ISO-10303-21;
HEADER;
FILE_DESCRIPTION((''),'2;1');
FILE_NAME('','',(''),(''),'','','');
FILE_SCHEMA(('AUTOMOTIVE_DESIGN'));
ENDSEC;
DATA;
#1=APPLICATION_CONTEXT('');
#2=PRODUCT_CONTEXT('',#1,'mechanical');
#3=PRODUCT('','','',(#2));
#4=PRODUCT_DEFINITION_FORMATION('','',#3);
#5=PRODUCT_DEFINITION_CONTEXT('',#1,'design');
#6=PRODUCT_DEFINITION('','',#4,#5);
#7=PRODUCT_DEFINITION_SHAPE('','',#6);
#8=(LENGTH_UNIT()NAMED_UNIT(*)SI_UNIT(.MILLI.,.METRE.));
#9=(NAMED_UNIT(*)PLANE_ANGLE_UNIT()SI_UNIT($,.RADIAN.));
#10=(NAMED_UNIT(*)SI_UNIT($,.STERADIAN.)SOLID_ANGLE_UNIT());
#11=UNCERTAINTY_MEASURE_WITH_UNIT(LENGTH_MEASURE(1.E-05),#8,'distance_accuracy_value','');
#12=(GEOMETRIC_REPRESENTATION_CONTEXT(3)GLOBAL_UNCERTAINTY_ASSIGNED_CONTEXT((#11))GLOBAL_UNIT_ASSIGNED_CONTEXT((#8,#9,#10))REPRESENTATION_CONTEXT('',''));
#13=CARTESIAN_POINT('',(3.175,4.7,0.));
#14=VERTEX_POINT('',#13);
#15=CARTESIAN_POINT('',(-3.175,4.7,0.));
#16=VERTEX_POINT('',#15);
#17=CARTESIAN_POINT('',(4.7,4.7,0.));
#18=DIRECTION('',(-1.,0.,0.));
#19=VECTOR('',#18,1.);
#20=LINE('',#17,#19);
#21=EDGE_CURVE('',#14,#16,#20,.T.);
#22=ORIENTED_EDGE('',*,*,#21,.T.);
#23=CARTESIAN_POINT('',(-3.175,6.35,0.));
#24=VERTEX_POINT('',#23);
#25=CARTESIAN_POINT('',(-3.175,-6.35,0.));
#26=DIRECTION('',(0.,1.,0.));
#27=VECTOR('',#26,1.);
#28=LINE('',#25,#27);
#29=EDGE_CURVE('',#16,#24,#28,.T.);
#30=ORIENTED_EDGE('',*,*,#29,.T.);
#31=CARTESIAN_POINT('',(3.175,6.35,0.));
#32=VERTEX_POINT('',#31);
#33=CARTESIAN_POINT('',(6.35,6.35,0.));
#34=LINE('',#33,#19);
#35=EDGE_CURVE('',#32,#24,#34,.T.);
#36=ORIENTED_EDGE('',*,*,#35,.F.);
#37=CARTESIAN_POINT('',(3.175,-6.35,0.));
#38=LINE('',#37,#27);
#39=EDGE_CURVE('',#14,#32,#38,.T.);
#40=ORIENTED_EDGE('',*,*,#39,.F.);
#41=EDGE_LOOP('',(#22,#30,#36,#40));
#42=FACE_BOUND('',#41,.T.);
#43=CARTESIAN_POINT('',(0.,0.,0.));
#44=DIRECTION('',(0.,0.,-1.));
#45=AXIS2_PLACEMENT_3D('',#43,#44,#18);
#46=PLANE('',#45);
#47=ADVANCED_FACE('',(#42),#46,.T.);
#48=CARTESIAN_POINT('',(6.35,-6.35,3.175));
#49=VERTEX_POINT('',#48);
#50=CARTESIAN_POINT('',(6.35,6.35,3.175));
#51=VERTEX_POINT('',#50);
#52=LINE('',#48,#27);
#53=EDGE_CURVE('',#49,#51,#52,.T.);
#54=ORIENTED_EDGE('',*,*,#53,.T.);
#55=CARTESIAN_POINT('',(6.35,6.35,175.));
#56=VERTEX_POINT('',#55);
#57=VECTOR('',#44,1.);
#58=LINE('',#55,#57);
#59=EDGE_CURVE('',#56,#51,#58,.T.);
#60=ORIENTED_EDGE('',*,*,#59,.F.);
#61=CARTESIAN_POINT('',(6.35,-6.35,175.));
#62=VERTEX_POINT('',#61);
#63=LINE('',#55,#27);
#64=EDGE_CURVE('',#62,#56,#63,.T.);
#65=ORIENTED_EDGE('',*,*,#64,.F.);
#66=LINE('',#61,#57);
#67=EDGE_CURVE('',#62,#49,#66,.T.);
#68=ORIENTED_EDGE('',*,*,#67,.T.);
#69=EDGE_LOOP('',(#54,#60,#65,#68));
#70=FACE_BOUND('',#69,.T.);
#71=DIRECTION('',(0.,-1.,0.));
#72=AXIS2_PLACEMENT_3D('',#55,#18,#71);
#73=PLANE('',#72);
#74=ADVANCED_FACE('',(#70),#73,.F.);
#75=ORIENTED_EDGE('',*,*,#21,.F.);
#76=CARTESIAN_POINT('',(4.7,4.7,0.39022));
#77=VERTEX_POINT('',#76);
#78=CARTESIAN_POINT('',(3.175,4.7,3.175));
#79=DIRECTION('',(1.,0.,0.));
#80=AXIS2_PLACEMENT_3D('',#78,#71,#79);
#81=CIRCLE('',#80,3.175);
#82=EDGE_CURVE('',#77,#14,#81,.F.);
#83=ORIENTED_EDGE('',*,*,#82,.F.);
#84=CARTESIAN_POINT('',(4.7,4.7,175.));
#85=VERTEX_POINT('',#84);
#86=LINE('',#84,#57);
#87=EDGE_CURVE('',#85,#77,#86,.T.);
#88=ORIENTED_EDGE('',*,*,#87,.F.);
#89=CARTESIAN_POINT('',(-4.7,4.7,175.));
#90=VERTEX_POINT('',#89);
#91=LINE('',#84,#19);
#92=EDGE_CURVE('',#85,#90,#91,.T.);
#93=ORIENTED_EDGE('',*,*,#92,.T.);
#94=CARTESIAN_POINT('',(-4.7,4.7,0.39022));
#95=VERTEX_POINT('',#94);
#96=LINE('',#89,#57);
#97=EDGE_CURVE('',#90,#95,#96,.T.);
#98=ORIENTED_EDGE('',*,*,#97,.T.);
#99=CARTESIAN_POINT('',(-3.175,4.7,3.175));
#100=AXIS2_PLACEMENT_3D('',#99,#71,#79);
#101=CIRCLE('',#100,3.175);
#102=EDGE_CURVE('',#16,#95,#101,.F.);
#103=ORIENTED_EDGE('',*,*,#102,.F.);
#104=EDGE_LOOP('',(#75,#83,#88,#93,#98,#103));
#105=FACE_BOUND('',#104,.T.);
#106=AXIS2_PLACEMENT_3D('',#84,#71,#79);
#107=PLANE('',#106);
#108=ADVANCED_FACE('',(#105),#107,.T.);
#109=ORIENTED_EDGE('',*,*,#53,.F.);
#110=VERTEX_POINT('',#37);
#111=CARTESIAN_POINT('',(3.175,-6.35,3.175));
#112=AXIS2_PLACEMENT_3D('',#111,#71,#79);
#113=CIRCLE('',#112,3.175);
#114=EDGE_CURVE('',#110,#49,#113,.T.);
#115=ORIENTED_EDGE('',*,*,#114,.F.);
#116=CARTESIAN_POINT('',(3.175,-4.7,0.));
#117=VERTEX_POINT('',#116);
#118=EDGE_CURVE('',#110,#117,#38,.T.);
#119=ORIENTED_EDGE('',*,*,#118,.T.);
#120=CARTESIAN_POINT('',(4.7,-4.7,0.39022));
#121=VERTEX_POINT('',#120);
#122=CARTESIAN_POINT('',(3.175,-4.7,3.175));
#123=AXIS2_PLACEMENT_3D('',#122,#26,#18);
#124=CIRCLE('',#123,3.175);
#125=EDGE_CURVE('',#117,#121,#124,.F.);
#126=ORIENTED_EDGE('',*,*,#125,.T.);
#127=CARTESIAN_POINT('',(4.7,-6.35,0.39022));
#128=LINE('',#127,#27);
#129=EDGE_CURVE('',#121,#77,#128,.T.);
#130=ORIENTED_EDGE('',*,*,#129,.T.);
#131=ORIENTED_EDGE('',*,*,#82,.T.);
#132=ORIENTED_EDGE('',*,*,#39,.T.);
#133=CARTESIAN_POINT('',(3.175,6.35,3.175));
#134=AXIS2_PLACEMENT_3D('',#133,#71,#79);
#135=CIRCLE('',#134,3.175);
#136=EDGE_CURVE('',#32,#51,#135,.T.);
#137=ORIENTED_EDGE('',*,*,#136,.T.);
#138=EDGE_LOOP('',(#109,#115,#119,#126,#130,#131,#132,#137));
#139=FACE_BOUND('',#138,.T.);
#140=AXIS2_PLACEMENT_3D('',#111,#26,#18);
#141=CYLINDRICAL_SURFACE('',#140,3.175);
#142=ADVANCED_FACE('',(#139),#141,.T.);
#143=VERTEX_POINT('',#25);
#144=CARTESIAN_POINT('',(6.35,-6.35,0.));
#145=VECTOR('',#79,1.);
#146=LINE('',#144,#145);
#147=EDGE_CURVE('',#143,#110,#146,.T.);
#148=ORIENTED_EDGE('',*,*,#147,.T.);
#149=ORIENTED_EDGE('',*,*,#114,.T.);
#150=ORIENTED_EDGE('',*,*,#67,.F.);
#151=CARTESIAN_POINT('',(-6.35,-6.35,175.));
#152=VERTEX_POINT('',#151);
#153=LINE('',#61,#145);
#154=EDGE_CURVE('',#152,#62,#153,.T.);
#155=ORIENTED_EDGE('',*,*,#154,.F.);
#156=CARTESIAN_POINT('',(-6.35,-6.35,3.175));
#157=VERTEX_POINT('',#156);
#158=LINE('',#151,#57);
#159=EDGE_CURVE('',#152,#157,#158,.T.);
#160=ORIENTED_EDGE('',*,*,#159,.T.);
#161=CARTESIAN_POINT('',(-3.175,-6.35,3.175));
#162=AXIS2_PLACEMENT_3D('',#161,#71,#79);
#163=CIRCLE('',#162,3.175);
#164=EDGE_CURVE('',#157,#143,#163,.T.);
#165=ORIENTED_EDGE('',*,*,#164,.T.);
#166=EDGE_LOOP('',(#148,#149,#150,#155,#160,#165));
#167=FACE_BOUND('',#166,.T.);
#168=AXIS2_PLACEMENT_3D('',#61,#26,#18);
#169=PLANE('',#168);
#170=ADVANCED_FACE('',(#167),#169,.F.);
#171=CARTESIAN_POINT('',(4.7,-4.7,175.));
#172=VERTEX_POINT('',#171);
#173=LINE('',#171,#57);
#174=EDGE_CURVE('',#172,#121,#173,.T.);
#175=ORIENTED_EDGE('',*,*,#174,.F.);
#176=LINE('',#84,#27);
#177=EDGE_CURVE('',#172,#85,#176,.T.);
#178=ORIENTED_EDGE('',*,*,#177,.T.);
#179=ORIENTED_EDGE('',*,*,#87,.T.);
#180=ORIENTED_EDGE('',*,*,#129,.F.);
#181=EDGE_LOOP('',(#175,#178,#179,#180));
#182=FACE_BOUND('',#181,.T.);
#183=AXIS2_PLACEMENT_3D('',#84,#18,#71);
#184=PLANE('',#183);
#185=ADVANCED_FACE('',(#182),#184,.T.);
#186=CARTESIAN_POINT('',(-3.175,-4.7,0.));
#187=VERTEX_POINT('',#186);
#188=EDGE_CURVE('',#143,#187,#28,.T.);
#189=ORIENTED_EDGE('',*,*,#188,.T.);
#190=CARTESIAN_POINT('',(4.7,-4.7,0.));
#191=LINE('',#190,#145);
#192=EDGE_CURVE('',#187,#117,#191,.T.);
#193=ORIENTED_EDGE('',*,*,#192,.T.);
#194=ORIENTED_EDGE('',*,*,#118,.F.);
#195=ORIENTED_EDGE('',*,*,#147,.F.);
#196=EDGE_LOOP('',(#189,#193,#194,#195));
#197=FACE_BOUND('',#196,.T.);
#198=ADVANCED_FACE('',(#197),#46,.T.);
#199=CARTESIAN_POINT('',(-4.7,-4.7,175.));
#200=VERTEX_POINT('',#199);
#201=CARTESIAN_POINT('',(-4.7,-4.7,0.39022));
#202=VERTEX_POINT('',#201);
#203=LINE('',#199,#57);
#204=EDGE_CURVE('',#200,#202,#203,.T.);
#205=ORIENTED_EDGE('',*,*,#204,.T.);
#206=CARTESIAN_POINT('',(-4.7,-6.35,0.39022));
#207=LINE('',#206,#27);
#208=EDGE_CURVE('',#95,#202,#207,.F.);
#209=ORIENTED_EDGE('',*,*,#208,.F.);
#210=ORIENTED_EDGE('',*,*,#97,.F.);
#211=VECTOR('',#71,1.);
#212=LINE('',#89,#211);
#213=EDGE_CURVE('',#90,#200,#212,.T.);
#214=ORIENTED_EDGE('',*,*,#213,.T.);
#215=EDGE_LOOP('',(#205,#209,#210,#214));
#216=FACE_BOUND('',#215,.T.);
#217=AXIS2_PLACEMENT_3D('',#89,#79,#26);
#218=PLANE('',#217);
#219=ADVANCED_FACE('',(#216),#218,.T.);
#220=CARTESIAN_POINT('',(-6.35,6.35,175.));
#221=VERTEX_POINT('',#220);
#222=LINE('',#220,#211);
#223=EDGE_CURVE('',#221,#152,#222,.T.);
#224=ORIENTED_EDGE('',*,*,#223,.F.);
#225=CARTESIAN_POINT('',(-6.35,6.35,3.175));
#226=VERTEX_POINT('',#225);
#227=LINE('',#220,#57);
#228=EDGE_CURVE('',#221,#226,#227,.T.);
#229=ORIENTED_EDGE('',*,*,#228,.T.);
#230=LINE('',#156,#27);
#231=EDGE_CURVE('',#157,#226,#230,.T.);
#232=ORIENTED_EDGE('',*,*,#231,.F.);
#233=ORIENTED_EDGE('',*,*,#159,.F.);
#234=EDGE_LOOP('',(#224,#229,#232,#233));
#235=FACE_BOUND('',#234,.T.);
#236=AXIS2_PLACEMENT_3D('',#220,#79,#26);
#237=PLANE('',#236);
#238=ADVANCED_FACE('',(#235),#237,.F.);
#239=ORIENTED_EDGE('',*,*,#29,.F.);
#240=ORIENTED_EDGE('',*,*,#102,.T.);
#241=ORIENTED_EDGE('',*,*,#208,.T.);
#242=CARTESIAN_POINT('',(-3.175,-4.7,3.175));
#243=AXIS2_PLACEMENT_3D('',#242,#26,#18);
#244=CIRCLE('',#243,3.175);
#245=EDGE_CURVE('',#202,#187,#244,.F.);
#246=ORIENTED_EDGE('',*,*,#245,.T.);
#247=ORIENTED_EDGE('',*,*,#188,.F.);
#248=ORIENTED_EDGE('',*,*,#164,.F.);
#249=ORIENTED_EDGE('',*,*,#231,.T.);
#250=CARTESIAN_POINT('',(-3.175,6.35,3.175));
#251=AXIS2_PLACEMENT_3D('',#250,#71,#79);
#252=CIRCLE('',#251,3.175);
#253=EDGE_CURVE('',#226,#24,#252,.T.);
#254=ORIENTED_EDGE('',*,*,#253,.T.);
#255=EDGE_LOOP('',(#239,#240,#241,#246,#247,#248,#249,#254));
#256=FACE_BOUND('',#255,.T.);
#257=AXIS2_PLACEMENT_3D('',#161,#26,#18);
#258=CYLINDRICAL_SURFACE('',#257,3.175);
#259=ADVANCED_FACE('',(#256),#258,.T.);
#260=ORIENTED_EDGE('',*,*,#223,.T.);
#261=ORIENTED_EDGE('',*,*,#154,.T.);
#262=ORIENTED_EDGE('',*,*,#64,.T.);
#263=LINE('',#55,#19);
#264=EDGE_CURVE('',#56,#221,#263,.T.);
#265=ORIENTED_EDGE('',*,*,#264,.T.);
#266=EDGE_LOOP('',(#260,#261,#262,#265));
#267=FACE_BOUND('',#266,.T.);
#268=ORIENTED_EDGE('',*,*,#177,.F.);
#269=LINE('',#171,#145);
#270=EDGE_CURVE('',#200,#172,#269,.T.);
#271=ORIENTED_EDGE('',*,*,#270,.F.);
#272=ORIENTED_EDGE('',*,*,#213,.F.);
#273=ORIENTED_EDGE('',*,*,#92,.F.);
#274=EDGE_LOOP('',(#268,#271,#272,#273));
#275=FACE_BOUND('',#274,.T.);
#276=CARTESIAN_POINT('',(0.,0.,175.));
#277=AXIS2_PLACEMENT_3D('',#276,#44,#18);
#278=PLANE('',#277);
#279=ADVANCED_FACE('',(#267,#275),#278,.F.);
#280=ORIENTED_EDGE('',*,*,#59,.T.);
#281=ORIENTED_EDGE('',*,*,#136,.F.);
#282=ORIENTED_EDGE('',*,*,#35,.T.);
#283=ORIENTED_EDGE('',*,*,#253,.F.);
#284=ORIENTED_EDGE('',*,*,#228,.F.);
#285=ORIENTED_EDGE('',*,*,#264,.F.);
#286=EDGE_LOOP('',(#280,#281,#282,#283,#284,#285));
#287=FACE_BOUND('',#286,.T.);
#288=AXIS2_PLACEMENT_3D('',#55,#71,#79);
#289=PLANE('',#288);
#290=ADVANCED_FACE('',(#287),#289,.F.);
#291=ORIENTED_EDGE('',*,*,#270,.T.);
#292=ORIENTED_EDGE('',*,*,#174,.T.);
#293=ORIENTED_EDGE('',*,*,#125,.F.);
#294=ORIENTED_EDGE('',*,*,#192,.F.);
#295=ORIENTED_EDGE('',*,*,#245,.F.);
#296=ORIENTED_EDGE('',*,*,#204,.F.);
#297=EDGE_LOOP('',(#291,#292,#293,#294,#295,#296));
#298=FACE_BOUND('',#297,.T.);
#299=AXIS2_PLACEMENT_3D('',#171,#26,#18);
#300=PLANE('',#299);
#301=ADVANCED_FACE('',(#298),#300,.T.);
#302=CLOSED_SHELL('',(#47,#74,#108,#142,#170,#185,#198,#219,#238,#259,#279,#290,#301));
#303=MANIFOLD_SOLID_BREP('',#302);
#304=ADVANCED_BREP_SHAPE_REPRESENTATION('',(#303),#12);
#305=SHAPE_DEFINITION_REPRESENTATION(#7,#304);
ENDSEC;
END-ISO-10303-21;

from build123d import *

# Parameters (mm, degrees)
SKETCH1_W           = 12.7
SKETCH1_H           = 12.7
SKETCH1_W_2         = 9.4
SKETCH1_H_2         = 9.4
BOSS_EXTRUDE1_DEPTH = 175
CUT_EXTRUDE1_DEPTH  = 13.7


with BuildPart() as part:
    # Sketch1 → Boss-Extrude1 (new body)
    with BuildSketch(Plane.XY):
        Rectangle(SKETCH1_W, SKETCH1_H)
        Rectangle(SKETCH1_W_2, SKETCH1_H_2, mode=Mode.SUBTRACT)
    extrude(amount=BOSS_EXTRUDE1_DEPTH)

    # Sketch2 → Cut-Extrude1 (cut, through all)
    with BuildSketch(Plane(origin=(0, 6.35, 0), x_dir=(1, 0, 0), z_dir=(0, 1, 0))):
        with BuildLine():
            Line((-6.35, -3.175), (-6.35, 0))
            Line((-6.35, 0), (-3.175, 0))
            ThreePointArc((-3.175, 0), (-5.42006403, -0.92993597), (-6.35, -3.175))
        make_face()
        with BuildLine():
            Line((3.175, 0), (6.35, 0))
            Line((6.35, 0), (6.35, -3.175))
            ThreePointArc((6.35, -3.175), (5.42006403, -0.92993597), (3.175, 0))
        make_face()
    extrude(amount=-CUT_EXTRUDE1_DEPTH, mode=Mode.SUBTRACT)


solid = part.part
